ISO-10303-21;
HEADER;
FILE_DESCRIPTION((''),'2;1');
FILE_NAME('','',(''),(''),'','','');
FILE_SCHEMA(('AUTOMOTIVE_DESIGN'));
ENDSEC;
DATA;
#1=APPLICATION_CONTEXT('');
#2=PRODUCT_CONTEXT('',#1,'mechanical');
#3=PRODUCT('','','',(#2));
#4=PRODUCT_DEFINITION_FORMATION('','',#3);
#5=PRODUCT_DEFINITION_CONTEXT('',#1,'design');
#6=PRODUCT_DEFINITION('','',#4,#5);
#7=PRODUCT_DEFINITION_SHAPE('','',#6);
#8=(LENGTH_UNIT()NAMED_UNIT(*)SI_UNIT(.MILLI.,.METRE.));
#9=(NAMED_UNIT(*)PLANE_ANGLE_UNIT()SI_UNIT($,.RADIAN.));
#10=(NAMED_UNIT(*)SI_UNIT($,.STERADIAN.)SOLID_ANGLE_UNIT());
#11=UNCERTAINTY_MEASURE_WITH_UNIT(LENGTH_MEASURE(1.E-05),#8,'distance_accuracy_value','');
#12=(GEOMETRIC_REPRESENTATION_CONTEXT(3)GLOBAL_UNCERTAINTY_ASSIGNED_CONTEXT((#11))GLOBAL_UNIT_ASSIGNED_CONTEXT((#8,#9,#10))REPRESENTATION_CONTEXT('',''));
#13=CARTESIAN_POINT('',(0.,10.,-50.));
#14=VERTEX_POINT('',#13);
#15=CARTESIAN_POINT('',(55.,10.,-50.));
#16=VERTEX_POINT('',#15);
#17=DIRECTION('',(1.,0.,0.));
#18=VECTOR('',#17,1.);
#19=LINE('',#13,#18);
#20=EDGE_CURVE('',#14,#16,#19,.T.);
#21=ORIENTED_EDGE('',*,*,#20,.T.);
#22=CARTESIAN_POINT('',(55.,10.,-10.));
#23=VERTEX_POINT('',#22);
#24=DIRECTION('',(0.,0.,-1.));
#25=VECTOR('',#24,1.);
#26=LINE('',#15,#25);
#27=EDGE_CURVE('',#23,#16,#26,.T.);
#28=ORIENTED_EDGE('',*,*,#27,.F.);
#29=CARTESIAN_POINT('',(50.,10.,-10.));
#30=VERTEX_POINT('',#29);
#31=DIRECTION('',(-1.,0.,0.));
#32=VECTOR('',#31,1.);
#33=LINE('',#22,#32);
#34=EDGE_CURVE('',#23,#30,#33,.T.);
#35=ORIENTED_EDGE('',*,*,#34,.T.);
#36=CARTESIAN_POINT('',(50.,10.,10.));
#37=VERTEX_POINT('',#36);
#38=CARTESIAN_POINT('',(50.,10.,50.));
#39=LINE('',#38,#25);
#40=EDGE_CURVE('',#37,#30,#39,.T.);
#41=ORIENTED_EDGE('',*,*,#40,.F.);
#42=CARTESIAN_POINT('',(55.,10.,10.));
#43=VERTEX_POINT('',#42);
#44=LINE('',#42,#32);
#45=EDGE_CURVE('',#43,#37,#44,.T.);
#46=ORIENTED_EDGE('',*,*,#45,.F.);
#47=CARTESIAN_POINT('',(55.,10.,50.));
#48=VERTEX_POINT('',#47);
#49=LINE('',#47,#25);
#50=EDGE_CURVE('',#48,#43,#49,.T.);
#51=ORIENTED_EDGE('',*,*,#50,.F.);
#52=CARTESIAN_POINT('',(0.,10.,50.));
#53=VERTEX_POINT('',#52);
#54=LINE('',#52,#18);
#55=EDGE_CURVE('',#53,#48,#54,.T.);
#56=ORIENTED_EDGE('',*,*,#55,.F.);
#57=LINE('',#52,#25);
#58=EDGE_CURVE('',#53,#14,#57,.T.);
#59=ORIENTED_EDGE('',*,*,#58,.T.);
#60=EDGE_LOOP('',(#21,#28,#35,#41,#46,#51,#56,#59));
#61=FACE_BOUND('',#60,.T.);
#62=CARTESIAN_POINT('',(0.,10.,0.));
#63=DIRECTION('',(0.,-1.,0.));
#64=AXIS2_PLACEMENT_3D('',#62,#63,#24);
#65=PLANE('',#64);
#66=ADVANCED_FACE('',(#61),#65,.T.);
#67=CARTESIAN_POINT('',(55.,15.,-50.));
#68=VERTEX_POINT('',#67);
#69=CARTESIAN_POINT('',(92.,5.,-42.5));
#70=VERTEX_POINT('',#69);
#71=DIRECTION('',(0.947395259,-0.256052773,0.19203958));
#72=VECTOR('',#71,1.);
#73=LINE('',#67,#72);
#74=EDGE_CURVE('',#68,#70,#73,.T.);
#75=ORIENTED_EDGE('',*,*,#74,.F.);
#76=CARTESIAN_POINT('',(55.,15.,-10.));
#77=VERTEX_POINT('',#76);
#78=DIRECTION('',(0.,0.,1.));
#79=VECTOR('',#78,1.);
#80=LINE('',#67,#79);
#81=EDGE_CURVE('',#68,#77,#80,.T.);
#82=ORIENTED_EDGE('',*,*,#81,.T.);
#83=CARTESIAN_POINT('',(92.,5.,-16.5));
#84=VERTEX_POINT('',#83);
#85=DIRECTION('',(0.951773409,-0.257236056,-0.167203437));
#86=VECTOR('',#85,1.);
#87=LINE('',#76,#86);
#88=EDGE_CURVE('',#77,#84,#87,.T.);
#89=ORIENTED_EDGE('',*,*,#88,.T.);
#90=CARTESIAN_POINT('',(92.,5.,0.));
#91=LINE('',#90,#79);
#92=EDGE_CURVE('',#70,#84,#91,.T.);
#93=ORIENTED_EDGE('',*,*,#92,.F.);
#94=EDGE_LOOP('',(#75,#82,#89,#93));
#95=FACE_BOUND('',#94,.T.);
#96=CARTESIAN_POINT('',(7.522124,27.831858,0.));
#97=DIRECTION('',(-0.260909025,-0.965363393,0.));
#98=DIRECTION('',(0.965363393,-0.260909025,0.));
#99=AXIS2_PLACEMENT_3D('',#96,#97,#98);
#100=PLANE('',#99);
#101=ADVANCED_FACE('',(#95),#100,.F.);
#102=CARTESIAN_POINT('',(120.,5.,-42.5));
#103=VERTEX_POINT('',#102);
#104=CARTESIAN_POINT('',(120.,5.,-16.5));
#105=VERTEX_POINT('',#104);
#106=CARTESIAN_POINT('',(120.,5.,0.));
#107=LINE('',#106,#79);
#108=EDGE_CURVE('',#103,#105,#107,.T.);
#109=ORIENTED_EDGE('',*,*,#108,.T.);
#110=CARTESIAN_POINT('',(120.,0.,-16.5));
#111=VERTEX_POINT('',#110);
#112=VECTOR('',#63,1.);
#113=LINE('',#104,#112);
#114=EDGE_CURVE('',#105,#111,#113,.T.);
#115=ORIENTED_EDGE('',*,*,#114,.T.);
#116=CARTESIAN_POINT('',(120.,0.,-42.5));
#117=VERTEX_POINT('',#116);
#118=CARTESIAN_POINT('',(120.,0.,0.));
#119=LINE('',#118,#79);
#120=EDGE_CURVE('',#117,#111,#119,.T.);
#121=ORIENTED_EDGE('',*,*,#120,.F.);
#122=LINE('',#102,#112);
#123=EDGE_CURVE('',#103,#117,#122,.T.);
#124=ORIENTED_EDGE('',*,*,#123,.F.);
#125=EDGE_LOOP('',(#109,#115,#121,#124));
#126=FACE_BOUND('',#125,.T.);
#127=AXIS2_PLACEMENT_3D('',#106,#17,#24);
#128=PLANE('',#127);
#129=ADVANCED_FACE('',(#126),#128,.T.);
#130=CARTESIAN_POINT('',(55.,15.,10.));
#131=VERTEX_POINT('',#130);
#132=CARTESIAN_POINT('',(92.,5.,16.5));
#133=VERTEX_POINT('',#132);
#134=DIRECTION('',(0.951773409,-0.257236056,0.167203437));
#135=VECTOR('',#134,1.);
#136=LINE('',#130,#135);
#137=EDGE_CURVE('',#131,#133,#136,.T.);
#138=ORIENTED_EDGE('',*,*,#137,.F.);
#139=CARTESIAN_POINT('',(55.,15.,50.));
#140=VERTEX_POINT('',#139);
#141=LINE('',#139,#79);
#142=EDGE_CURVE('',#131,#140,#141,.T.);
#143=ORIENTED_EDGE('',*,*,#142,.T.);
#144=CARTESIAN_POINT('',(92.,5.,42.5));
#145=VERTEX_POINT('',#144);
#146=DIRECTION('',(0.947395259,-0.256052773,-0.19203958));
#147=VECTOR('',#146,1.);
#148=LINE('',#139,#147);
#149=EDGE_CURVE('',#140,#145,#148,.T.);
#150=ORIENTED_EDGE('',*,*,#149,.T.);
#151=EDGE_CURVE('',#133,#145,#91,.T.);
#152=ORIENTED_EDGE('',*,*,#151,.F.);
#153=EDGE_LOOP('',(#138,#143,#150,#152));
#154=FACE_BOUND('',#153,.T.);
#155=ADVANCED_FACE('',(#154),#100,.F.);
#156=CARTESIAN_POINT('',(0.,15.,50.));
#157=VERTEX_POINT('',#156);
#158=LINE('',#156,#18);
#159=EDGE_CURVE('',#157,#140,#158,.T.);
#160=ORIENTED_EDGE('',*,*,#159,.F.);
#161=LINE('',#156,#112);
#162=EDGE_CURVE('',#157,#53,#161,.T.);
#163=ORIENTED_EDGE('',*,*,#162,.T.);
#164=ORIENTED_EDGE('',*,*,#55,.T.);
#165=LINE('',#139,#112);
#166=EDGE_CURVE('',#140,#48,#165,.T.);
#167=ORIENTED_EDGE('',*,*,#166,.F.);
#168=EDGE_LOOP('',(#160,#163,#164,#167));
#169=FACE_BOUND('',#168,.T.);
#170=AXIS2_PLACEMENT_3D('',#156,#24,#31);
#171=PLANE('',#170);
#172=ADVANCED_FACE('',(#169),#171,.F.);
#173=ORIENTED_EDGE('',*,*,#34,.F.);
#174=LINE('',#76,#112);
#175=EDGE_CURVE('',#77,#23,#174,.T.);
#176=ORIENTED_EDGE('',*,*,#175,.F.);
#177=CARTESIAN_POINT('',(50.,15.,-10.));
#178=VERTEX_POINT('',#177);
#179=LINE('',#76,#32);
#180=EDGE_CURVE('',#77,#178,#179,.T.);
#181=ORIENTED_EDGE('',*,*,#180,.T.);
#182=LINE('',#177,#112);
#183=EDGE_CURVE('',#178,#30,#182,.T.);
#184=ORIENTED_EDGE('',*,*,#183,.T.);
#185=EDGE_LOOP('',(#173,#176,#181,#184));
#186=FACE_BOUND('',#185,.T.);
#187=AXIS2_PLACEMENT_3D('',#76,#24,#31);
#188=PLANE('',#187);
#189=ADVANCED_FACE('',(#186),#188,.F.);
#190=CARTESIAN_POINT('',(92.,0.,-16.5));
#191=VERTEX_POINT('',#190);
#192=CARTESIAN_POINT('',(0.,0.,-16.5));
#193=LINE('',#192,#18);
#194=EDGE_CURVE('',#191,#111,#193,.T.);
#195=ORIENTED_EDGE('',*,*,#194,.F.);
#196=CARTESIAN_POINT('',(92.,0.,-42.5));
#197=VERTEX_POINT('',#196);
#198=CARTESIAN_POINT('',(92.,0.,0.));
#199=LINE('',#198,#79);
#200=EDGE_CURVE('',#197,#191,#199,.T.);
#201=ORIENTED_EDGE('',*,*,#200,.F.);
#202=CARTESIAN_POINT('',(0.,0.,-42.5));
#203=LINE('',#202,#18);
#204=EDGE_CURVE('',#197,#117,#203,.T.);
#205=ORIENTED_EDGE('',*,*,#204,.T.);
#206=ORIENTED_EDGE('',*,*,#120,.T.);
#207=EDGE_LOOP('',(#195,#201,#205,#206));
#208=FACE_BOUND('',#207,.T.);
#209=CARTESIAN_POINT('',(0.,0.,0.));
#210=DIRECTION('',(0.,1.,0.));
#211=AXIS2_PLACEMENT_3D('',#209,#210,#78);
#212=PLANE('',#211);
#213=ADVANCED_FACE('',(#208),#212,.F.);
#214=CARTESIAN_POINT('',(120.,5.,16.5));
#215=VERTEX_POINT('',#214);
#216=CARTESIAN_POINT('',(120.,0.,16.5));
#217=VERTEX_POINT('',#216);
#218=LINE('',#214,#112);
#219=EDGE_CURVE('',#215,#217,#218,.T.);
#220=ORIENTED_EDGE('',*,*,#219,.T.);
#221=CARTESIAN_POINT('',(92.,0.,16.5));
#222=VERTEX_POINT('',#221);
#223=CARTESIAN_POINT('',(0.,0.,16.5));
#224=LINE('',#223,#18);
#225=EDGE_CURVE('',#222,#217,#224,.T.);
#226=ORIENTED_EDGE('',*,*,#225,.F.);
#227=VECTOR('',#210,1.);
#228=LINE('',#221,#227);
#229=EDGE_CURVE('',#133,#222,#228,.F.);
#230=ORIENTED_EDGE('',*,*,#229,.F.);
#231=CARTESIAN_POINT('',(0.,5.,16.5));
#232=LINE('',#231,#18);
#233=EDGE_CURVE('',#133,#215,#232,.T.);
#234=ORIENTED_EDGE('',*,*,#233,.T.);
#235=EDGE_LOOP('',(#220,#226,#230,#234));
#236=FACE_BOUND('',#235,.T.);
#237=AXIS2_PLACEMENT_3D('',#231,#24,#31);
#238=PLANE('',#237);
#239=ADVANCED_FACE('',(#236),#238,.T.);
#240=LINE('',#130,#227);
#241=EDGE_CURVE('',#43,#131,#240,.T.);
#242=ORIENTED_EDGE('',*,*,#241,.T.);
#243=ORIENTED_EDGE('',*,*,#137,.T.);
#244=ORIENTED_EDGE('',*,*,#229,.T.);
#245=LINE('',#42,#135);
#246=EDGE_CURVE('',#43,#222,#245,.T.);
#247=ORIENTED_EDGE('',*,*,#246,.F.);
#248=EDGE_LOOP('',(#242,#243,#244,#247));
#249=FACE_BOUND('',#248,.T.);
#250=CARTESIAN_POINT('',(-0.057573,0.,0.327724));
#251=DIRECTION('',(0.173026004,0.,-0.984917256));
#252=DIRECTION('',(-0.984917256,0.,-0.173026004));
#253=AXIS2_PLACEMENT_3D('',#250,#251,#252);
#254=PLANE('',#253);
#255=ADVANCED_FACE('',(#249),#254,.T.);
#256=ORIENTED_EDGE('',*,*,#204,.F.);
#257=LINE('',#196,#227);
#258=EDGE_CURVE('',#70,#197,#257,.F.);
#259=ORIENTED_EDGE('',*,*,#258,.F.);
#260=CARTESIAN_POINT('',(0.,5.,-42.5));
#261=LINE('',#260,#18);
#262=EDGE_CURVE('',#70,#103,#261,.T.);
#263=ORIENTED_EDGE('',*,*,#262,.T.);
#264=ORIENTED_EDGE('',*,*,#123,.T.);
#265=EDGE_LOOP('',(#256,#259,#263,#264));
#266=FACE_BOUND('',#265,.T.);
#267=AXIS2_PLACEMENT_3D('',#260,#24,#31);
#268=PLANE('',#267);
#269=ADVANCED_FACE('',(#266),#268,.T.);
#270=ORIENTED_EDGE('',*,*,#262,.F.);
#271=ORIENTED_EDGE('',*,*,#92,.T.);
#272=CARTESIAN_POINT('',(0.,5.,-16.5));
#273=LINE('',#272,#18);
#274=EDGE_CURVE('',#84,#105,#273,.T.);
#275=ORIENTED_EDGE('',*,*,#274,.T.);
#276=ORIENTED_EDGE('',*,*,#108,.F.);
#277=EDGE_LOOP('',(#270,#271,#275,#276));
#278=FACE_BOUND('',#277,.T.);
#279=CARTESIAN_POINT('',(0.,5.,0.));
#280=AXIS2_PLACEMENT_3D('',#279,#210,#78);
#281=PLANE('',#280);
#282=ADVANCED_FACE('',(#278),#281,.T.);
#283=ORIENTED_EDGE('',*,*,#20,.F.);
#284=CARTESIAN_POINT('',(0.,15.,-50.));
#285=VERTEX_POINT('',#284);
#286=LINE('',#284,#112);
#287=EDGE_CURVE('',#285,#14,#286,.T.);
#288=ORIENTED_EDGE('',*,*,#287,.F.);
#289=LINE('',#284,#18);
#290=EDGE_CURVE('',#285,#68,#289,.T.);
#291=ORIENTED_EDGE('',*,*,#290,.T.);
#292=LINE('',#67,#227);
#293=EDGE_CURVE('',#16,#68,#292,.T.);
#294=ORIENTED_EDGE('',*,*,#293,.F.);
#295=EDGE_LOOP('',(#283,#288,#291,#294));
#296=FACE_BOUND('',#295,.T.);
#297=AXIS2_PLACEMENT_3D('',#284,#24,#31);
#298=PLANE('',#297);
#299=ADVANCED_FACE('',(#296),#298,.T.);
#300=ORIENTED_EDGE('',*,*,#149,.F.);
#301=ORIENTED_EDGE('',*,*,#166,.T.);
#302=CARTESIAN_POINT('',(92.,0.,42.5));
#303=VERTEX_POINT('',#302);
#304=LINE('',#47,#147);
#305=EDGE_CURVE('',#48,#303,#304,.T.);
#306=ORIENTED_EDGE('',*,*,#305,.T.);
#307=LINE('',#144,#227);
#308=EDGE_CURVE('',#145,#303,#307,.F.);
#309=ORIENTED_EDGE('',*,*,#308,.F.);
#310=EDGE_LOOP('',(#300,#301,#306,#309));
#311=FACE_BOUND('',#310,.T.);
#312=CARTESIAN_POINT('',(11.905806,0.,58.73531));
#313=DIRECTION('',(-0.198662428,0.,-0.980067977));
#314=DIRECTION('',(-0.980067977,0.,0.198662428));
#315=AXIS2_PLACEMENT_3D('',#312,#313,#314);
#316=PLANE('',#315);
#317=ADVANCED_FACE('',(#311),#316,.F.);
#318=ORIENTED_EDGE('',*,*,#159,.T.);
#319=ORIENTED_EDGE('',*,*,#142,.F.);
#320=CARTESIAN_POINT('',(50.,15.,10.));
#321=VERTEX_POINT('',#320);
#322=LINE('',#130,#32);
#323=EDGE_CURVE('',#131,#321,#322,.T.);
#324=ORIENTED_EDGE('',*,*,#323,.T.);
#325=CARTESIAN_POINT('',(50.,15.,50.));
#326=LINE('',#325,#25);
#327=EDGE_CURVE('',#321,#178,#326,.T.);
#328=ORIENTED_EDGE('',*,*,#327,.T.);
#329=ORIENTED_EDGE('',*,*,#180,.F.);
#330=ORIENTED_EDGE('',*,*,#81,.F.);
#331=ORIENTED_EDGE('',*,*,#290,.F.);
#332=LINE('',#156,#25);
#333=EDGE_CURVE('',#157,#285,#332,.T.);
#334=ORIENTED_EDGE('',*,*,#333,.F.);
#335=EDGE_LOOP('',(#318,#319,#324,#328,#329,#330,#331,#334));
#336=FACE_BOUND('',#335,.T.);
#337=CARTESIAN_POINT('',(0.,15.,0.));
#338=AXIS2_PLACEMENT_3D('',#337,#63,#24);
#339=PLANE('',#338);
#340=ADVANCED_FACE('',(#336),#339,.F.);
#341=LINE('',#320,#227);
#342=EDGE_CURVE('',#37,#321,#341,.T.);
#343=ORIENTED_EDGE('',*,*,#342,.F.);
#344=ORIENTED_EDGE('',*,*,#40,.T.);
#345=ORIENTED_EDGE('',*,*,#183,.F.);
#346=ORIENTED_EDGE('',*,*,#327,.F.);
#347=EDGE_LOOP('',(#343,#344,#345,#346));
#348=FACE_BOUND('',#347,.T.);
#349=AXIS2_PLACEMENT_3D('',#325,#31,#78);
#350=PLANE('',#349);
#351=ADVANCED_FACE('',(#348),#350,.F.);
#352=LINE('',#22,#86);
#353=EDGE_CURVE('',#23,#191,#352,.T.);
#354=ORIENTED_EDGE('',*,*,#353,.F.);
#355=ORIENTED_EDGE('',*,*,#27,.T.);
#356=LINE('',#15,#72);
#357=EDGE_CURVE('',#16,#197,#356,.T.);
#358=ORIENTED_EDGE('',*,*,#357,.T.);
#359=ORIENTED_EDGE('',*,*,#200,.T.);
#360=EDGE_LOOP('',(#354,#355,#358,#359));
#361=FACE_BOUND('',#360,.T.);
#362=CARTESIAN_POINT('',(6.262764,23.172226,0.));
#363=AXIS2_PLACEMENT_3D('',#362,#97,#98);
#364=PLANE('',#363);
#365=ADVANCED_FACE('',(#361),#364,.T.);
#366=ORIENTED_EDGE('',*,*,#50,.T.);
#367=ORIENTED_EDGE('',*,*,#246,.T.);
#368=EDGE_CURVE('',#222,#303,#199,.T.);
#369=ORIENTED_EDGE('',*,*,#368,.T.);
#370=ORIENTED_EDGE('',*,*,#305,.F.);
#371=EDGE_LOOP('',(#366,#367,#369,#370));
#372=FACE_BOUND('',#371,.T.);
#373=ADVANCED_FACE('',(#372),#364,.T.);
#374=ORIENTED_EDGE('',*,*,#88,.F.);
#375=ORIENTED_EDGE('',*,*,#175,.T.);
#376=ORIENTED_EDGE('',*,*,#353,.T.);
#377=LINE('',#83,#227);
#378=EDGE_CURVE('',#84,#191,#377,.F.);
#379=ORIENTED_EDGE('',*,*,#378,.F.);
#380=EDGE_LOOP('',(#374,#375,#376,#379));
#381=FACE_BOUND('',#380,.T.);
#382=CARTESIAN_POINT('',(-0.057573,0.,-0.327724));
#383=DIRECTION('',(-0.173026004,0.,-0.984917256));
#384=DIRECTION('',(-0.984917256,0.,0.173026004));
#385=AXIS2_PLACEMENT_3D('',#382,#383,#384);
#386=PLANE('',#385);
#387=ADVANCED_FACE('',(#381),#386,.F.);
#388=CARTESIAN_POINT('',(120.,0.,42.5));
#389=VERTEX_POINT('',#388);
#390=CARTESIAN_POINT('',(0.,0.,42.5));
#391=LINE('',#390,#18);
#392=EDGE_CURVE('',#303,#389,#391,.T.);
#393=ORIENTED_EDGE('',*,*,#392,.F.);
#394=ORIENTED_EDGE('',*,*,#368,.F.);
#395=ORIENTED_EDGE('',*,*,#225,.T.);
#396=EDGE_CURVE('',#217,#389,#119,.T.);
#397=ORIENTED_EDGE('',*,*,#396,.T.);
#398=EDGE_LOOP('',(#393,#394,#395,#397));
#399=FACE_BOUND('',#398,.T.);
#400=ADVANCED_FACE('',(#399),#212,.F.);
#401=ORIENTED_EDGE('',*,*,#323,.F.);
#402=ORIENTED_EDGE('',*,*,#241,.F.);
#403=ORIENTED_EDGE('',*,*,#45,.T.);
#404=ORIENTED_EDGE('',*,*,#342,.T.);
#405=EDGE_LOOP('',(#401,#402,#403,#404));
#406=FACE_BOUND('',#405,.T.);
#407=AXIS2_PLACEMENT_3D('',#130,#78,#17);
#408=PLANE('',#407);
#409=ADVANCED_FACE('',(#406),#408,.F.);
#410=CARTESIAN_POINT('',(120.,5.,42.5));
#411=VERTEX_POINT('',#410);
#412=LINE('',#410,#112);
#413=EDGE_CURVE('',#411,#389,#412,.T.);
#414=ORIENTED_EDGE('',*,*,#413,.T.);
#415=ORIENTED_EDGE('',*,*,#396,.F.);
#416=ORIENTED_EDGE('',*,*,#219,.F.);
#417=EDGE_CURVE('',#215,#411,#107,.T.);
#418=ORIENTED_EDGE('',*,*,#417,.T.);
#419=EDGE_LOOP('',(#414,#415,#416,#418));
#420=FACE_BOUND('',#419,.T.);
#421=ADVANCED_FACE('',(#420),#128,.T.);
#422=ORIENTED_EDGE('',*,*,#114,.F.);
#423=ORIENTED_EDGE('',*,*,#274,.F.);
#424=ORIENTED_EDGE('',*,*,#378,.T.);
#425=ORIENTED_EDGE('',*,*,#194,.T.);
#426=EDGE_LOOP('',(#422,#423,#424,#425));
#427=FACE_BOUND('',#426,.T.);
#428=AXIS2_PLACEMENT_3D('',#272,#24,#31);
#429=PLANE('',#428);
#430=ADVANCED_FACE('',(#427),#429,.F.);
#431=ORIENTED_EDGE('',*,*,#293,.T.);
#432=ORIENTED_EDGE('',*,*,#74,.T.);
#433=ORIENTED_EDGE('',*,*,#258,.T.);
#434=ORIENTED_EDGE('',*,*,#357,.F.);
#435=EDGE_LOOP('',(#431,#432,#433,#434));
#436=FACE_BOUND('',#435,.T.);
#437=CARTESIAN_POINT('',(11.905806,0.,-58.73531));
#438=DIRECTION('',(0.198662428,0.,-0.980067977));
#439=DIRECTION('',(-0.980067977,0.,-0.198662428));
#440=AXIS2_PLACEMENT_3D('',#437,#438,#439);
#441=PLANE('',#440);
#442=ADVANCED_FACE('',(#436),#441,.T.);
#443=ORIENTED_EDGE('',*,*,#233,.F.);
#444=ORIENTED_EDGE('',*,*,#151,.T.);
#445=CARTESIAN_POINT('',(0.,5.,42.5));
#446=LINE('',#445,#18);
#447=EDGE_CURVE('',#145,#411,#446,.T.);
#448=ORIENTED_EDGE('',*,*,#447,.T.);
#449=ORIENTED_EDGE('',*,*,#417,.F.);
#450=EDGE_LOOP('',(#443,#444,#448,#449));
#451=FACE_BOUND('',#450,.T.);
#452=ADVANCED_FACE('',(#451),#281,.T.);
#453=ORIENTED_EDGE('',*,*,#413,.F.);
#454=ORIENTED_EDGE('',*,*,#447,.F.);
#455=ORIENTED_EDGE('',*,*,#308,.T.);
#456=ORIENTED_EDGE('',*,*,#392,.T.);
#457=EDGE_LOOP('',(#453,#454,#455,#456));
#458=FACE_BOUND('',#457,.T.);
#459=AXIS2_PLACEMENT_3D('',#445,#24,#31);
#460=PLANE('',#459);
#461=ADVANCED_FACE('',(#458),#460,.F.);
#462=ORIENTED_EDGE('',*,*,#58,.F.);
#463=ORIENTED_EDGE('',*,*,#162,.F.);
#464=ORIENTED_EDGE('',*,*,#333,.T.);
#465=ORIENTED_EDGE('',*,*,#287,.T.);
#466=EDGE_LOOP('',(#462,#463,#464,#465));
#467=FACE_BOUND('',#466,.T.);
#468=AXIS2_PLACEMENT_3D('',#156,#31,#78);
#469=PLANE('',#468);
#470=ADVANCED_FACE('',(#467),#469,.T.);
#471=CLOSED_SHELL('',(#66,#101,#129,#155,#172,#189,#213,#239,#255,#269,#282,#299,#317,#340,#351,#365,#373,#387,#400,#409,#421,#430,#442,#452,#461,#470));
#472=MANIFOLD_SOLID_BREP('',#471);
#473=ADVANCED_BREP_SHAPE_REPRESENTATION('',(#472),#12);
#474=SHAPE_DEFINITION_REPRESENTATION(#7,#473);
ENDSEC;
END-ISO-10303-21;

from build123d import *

# Parameters (mm, degrees)
SKETCH_1_W        = 28
SKETCH_1_H        = 26
EXTRUDE_1_DEPTH   = 5
EXTRUDE_1_2_DEPTH = 5
EXTRUDE_START     = 10
SKETCH_1_12_W     = 50
SKETCH_1_12_H     = 100
EXTRUDE_2_DEPTH   = 5
SKETCH_2_W        = 40
SKETCH_2_H        = 5
EXTRUDE_3_DEPTH   = 5


with BuildPart() as part:
    # 草图1 → 凸台-拉伸1 (new body)
    with BuildSketch(Plane(origin=(0, 0, 0), x_dir=(1, 0, 0), z_dir=(0, 1, 0))):
        with Locations((106, 29.5)):
            Rectangle(SKETCH_1_W, SKETCH_1_H)
    extrude(amount=EXTRUDE_1_DEPTH)


with BuildPart() as body_2:
    # 草图1 → Extrude 1 2 (new body)
    with BuildSketch(Plane(origin=(0, 0, 0), x_dir=(1, 0, 0), z_dir=(0, 1, 0))):
        with Locations((106, -29.5)):
            Rectangle(SKETCH_1_W, SKETCH_1_H)
    extrude(amount=EXTRUDE_1_2_DEPTH)


with BuildPart() as body_3:
    # 草图1<12> → 凸台-拉伸2 (new body)
    with BuildSketch(Plane(origin=(0, 0, 0), x_dir=(1, 0, 0), z_dir=(0, 1, 0)).offset(EXTRUDE_START)):
        with Locations((25, 0)):
            Rectangle(SKETCH_1_12_W, SKETCH_1_12_H)
    extrude(amount=EXTRUDE_2_DEPTH)

    # 草图2 → 凸台-拉伸3 (add)
    with BuildSketch(Plane(origin=(50, 0, 0), x_dir=(0, 0, -1), z_dir=(1, 0, 0))):
        with Locations((30, 12.5)):
            Rectangle(SKETCH_2_W, SKETCH_2_H)
        with Locations((-30, 12.5)):
            Rectangle(SKETCH_2_W, SKETCH_2_H)
    extrude(amount=EXTRUDE_3_DEPTH)


    add(body_2.part)  # loft_5 joins it to this body
    # loft from a face of the part (loft_5)
    loft([body_3.faces().sort_by_distance((55, 12.5, 30))[0], body_3.faces().sort_by_distance((92, 2.5, 29.5))[0]])


    add(part.part)  # loft_6 joins it to this body
    # loft from a face of the part (loft_6)
    loft([body_3.faces().sort_by_distance((55, 12.5, -30))[0], body_3.faces().sort_by_distance((92, 2.5, -29.5))[0]])


solid = body_3.part
